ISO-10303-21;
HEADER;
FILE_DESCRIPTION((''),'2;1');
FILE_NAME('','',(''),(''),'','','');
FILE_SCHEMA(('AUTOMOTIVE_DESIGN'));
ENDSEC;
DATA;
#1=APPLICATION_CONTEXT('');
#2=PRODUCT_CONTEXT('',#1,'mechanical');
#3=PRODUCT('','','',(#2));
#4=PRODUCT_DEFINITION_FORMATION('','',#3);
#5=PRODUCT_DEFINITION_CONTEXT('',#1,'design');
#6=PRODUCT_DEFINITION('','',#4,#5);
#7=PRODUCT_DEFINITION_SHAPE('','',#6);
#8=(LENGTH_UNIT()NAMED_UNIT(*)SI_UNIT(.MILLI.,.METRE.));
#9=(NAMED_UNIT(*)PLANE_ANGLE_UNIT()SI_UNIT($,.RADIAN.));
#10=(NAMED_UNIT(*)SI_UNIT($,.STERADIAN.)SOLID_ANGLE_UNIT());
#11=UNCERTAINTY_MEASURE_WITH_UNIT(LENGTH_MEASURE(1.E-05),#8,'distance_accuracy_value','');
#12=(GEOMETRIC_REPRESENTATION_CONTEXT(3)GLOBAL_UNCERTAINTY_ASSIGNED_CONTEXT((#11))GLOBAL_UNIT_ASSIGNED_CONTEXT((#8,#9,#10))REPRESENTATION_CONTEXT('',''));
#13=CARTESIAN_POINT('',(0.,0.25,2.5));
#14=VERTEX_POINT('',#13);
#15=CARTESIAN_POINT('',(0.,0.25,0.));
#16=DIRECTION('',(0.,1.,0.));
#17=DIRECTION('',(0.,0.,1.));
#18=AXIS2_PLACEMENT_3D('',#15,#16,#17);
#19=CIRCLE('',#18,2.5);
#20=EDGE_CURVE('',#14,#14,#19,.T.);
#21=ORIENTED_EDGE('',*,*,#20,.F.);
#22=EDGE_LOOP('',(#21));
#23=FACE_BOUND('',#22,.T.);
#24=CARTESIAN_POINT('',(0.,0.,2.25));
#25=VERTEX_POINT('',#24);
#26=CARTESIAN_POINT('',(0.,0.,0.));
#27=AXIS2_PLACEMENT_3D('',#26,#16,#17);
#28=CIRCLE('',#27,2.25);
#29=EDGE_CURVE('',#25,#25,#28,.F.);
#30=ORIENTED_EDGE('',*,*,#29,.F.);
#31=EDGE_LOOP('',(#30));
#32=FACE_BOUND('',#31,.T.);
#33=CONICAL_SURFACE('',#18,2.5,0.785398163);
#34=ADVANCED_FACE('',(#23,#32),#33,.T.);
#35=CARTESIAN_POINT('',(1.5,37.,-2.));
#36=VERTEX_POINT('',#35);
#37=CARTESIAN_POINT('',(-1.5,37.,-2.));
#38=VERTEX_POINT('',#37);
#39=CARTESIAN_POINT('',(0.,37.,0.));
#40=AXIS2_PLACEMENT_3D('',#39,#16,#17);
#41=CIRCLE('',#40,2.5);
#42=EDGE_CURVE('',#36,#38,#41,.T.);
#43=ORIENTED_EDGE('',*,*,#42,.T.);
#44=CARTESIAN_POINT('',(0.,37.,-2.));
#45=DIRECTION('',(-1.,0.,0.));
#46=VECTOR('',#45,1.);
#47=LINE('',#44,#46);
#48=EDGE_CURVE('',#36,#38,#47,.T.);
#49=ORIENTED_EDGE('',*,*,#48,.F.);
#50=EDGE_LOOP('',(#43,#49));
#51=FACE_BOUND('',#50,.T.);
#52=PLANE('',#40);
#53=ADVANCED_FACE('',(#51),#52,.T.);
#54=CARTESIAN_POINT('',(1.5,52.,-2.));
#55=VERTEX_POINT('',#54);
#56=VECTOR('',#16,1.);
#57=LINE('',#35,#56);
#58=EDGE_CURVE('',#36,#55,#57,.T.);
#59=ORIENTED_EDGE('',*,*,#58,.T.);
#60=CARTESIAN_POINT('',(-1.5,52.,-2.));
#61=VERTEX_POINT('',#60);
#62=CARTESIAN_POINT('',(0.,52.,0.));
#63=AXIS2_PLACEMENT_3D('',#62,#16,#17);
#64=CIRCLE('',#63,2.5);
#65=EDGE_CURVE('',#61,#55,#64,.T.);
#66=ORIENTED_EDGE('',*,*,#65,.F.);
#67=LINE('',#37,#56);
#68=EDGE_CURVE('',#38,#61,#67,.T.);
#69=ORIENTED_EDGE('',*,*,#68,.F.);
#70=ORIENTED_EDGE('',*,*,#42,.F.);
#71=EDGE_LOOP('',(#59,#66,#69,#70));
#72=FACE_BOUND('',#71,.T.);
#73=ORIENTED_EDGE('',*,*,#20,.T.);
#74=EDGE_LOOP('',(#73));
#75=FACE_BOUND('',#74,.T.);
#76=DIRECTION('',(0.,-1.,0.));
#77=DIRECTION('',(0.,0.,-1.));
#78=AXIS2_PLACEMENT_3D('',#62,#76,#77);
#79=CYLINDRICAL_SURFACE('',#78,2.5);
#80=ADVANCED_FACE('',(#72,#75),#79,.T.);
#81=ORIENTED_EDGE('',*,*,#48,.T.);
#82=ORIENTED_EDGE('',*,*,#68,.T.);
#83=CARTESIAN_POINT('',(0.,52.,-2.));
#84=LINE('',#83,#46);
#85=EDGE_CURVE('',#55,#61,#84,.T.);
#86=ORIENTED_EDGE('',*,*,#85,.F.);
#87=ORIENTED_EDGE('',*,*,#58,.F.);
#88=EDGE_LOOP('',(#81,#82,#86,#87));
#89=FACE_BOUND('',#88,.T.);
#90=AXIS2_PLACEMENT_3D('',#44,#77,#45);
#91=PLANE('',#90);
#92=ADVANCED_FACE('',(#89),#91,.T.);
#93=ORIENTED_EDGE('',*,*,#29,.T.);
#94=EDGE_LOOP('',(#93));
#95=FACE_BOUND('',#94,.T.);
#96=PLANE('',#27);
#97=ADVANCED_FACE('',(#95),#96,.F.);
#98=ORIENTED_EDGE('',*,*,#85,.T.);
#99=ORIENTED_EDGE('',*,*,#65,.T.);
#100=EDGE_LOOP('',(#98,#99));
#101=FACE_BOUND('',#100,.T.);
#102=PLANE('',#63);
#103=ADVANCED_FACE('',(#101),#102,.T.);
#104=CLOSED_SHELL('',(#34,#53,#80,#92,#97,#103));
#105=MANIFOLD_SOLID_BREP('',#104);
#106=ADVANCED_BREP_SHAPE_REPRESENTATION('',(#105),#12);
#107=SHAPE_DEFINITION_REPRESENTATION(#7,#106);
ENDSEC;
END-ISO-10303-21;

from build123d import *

# Parameters (mm, degrees)
SKETCH_1_R          = 2.5
EXTRUDE_1_DEPTH     = 52
CUT_EXTRUDE_START   = 37
CUT_EXTRUDE_1_DEPTH = 15
CHAMFER_1_SIZE      = 0.25


with BuildPart() as part:
    # 草图1 → 凸台-拉伸1 (new body)
    with BuildSketch(Plane(origin=(0, 0, 0), x_dir=(1, 0, 0), z_dir=(0, 1, 0))):
        with Locations(Location((0, 0, 0), (0, 0, 90))):
            Circle(SKETCH_1_R)
    extrude(amount=EXTRUDE_1_DEPTH)

    # 草图2 → 切除-拉伸1 (cut)
    with BuildSketch(Plane(origin=(0, 0, 0), x_dir=(1, 0, 0), z_dir=(0, 1, 0)).offset(CUT_EXTRUDE_START)):
        with BuildLine():
            Line((-1.5, 2), (1.5, 2))
            ThreePointArc((1.5, 2), (0, 2.5), (-1.5, 2))
        make_face()
    extrude(amount=CUT_EXTRUDE_1_DEPTH, mode=Mode.SUBTRACT)

    # 倒角1
    chamfer_1_edges = [part.edges().sort_by_distance(p)[0] for p in [
        (0, 0, 2.5),
    ]]
    chamfer(chamfer_1_edges, length=CHAMFER_1_SIZE)


solid = part.part
